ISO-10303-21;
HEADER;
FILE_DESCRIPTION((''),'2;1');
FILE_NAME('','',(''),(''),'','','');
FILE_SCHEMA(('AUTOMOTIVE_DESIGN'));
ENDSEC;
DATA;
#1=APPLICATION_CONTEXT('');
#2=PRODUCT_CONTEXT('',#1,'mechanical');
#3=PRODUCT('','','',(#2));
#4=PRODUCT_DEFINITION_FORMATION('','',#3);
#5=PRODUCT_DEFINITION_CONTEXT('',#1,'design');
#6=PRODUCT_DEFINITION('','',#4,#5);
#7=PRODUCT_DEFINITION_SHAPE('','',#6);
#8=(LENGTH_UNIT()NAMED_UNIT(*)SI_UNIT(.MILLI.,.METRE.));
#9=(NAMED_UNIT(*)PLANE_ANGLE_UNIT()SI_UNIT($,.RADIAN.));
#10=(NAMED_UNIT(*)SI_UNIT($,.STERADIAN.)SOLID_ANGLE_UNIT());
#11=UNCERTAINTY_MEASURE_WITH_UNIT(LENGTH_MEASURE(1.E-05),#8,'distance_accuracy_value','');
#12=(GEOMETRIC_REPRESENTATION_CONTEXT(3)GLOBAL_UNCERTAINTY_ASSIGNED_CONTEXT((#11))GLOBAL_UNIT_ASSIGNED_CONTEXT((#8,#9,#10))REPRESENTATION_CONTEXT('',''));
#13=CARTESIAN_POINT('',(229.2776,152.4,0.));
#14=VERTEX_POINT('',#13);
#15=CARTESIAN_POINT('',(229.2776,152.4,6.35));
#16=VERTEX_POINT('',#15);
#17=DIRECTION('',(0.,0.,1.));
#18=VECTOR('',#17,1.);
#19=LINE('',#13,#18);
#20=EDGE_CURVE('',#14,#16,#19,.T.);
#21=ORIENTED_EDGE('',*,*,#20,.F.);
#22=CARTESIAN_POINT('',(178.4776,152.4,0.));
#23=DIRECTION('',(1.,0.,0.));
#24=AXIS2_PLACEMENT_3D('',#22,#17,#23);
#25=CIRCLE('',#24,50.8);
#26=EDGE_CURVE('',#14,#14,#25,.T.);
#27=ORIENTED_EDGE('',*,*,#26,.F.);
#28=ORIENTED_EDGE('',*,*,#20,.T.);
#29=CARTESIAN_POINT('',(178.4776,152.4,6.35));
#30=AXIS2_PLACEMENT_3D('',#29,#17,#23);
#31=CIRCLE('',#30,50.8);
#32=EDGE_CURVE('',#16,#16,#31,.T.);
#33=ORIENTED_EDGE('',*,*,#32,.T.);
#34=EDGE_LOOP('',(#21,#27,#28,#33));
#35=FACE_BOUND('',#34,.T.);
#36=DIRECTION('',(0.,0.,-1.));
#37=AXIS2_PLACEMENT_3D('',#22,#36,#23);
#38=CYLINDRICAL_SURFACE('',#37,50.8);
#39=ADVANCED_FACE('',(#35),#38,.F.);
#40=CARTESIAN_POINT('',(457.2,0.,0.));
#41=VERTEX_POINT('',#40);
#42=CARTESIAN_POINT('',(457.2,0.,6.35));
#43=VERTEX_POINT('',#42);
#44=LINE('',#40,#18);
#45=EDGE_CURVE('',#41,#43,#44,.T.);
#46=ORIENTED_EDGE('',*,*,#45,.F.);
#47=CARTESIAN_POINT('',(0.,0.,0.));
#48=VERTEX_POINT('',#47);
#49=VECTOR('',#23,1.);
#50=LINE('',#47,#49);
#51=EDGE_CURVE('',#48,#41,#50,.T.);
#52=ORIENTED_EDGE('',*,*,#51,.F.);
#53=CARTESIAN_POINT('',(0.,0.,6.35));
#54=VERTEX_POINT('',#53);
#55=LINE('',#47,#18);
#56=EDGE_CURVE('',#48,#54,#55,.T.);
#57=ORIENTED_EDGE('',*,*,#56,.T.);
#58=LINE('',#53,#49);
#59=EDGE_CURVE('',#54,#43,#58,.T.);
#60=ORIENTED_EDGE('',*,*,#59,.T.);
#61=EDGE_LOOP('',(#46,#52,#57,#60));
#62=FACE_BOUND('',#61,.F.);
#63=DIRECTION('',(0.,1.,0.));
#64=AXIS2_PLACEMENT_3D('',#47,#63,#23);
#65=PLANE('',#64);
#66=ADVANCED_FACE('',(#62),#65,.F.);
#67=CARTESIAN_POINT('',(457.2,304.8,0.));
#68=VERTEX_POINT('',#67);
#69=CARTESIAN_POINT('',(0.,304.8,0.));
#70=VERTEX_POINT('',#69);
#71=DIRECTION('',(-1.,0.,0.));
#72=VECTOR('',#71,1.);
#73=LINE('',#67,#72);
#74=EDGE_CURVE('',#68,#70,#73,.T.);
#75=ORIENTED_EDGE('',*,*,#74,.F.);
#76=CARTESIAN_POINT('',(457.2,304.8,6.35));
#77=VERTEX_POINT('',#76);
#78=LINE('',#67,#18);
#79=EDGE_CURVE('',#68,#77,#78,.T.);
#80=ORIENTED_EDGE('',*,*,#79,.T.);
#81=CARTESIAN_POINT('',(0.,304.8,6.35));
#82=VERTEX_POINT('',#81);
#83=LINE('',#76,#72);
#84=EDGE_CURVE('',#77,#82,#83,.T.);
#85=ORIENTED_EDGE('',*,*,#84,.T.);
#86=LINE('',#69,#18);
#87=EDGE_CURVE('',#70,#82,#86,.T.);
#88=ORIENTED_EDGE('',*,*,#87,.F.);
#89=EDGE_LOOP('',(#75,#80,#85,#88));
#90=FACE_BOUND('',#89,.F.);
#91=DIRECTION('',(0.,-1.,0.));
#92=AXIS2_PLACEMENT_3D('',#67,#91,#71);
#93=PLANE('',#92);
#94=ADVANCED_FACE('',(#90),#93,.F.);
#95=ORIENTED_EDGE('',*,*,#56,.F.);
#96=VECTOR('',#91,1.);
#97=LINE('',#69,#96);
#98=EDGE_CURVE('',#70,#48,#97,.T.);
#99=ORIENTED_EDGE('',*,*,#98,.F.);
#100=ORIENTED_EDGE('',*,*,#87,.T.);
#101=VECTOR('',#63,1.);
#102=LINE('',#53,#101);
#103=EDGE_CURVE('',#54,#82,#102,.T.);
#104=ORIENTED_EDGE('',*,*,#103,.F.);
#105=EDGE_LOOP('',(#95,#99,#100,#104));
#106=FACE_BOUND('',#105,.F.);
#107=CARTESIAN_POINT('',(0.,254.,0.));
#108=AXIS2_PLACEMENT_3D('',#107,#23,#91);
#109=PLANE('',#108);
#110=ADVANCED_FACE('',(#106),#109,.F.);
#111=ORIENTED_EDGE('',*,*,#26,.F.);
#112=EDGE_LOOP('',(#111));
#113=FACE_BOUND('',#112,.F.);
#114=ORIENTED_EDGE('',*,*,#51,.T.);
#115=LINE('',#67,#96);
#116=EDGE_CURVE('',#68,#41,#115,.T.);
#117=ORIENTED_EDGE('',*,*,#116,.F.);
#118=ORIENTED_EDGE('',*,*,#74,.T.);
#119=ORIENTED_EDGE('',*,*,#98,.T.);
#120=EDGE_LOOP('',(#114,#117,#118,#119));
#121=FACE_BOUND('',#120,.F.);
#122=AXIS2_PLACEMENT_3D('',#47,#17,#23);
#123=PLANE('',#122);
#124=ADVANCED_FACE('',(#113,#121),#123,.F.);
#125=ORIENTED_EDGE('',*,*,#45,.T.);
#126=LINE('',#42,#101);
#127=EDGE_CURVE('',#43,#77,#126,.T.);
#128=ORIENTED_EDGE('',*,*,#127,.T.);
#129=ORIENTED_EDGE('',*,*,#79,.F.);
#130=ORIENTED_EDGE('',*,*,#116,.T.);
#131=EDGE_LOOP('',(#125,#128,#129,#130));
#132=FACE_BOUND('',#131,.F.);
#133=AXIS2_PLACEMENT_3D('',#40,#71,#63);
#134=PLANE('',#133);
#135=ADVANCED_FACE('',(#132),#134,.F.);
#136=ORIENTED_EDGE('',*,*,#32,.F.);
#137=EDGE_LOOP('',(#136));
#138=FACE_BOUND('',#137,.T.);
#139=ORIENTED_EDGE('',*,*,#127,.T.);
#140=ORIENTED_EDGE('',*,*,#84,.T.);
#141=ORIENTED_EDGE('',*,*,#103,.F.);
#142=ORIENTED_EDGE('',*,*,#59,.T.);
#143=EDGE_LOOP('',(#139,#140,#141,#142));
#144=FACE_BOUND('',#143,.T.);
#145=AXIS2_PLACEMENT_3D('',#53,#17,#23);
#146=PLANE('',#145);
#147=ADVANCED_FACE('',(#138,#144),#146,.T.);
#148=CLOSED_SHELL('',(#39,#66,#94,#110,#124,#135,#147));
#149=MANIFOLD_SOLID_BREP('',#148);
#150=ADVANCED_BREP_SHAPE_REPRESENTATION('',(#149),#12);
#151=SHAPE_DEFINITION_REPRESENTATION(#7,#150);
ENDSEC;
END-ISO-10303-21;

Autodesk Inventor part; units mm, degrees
ref_plane "YZ Plane" through (0, 0, 0) normal (1, 0, 0) x (0, 1, 0)
ref_plane "XZ Plane" through (0, 0, 0) normal (0, 1, 0) x (-1, 0, 0)
ref_plane "XY Plane" through (0, 0, 0) normal (0, 0, 1) x (1, 0, 0)
sketch "Sketch1" plane through (0, 0, 0) normal (0, 0, 1) x (1, 0, 0)
  line L0 (0, 0) -> (457.2, 0)
  line L1 (457.2, 0) -> (457.2, 304.8)
  line L2 (457.2, 304.8) -> (0, 304.8)
  line L3 (0, 304.8) -> (0, 0)
  line L4 (0, 254) -> (457.2, 254)
  arc A0 (0.6776, 254) -> (325.1105, 153.4434) centre (178.4776, 254) ccw
  circle A1 centre (178.4776, 152.4) radius 50.8
  line L5 (394.0694, 254) -> (325.1105, 153.4434)
  dimension "d0" = 457.2
  dimension "d1" = 304.8
  dimension "d4" = 101.6
sketch "Sketch2" plane through (0, 0, 0) normal (0, 0, 1) x (1, 0, 0)
  point P0 (0, 0)
extrude "Extrusion1" add sketch "Sketch1" along normal blind 6.35
properties part number "ShooterWall"
